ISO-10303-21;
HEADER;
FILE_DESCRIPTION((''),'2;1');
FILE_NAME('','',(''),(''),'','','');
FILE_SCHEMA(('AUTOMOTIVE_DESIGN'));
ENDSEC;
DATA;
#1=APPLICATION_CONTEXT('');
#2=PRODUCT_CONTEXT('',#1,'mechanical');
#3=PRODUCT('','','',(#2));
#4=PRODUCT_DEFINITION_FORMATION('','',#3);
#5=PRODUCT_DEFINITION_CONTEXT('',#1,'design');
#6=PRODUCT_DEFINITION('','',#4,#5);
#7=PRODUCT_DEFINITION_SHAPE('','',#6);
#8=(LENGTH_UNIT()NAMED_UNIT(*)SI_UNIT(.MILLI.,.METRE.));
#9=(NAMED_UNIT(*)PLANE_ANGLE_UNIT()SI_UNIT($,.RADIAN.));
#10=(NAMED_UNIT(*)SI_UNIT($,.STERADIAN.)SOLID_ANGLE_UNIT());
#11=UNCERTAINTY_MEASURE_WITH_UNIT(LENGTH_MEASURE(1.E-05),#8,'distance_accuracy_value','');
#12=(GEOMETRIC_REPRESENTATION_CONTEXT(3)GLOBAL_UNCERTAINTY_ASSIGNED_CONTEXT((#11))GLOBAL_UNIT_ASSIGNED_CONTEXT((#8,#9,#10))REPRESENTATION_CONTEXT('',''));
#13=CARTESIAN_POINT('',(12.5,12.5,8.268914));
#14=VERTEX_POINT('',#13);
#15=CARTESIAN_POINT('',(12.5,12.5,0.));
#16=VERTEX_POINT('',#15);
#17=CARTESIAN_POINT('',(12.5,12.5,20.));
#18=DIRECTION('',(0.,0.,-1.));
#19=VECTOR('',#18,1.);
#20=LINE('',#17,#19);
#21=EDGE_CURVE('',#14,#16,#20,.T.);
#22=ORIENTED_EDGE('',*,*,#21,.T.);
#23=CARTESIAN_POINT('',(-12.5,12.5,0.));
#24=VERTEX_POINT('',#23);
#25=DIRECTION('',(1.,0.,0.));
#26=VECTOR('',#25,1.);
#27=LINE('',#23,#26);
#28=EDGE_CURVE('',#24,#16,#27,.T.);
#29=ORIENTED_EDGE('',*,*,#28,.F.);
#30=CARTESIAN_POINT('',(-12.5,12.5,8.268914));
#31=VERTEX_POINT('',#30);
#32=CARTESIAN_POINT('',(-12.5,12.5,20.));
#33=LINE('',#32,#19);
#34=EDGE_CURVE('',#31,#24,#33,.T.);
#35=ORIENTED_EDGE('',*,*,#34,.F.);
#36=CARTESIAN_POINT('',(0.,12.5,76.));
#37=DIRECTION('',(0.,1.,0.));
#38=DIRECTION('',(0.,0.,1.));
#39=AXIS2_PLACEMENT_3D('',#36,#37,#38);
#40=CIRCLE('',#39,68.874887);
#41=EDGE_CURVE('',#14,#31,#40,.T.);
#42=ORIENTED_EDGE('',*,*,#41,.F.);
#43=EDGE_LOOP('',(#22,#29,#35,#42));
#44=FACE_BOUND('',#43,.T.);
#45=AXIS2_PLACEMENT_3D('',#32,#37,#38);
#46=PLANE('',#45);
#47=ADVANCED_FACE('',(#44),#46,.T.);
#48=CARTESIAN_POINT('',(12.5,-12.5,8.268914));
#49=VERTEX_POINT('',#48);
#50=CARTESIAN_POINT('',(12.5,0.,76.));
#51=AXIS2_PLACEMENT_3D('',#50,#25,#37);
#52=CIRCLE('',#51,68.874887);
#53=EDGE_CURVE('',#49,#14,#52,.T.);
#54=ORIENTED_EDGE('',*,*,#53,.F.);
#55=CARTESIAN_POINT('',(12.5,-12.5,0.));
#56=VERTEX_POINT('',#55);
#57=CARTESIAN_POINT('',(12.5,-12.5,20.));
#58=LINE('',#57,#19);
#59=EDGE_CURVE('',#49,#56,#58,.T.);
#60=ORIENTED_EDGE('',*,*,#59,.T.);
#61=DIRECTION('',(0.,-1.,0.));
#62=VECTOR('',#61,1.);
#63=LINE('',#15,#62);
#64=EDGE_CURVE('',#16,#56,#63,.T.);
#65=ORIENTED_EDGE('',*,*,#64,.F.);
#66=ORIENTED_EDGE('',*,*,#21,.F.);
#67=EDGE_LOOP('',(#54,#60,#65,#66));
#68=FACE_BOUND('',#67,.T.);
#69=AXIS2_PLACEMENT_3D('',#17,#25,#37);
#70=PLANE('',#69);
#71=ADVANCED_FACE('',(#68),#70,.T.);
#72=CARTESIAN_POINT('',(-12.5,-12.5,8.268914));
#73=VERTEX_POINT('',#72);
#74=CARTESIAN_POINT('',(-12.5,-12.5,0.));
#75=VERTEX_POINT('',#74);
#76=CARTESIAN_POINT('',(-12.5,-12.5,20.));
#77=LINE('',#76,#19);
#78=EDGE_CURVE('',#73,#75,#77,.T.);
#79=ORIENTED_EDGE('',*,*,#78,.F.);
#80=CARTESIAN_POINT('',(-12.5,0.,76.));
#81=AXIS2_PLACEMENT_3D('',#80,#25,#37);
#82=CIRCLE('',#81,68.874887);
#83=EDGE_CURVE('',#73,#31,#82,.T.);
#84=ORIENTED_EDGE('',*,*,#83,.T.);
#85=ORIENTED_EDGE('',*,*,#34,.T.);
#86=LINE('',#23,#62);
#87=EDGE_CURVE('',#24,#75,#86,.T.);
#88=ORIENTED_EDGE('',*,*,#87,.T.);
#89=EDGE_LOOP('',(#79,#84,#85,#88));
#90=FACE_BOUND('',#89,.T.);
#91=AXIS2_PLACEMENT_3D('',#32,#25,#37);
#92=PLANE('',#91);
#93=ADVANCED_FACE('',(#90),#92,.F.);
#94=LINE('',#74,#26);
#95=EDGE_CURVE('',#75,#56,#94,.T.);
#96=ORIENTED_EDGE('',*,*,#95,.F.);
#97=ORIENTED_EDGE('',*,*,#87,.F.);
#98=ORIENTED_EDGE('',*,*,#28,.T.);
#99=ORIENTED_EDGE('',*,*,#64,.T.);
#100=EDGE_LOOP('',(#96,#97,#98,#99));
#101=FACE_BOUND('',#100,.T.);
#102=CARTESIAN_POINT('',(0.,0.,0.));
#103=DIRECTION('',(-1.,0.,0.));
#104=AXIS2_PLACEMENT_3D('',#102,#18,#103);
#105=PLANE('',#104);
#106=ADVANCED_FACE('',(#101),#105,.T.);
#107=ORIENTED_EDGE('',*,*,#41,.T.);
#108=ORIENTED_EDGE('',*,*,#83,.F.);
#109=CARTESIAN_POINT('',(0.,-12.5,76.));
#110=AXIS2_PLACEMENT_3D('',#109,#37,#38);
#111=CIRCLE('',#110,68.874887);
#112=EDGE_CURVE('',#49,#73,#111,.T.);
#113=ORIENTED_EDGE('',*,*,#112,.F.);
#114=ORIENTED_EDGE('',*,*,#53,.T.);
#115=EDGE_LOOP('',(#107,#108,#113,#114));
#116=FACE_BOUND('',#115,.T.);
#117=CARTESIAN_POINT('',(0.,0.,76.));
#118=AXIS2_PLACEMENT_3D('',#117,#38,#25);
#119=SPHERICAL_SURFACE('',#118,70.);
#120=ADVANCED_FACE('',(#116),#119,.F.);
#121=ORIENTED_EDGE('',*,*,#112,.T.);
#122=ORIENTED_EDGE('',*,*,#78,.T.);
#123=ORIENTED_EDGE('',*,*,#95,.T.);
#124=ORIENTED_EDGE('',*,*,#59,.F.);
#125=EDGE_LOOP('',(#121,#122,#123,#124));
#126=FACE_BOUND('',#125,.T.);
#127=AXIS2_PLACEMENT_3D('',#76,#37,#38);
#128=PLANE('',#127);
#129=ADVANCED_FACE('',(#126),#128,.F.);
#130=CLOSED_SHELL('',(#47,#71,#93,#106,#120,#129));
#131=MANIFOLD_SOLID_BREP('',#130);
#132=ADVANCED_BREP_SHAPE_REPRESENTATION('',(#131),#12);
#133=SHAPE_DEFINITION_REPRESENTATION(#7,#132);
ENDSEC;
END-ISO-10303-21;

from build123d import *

# Parameters (mm, degrees)
SKETCH_1_W      = 25
SKETCH_1_H      = 25
EXTRUDE_1_DEPTH = 20


with BuildPart() as part:
    # 草图1 → 凸台-拉伸1 (new body)
    with BuildSketch(Plane.XY):
        Rectangle(SKETCH_1_W, SKETCH_1_H)
    extrude(amount=EXTRUDE_1_DEPTH)

    # 草图2 → 切除-旋转2 (revolve, cut)
    with BuildSketch(Plane(origin=(0, 0, 0), x_dir=(1, 0, 0), z_dir=(0, 1, 0))):
        with BuildLine():
            Line((68.239182327, -60.398269476), (0, -60.398269476))
            Line((0, -60.398269476), (0, -6))
            ThreePointArc((0, -6), (43.634154417, -21.263717989), (68.239182327, -60.398269476))
        make_face()
    revolve(axis=Axis((0, 0, 60.398269476), (0, 0, -1)), mode=Mode.SUBTRACT)


solid = part.part
